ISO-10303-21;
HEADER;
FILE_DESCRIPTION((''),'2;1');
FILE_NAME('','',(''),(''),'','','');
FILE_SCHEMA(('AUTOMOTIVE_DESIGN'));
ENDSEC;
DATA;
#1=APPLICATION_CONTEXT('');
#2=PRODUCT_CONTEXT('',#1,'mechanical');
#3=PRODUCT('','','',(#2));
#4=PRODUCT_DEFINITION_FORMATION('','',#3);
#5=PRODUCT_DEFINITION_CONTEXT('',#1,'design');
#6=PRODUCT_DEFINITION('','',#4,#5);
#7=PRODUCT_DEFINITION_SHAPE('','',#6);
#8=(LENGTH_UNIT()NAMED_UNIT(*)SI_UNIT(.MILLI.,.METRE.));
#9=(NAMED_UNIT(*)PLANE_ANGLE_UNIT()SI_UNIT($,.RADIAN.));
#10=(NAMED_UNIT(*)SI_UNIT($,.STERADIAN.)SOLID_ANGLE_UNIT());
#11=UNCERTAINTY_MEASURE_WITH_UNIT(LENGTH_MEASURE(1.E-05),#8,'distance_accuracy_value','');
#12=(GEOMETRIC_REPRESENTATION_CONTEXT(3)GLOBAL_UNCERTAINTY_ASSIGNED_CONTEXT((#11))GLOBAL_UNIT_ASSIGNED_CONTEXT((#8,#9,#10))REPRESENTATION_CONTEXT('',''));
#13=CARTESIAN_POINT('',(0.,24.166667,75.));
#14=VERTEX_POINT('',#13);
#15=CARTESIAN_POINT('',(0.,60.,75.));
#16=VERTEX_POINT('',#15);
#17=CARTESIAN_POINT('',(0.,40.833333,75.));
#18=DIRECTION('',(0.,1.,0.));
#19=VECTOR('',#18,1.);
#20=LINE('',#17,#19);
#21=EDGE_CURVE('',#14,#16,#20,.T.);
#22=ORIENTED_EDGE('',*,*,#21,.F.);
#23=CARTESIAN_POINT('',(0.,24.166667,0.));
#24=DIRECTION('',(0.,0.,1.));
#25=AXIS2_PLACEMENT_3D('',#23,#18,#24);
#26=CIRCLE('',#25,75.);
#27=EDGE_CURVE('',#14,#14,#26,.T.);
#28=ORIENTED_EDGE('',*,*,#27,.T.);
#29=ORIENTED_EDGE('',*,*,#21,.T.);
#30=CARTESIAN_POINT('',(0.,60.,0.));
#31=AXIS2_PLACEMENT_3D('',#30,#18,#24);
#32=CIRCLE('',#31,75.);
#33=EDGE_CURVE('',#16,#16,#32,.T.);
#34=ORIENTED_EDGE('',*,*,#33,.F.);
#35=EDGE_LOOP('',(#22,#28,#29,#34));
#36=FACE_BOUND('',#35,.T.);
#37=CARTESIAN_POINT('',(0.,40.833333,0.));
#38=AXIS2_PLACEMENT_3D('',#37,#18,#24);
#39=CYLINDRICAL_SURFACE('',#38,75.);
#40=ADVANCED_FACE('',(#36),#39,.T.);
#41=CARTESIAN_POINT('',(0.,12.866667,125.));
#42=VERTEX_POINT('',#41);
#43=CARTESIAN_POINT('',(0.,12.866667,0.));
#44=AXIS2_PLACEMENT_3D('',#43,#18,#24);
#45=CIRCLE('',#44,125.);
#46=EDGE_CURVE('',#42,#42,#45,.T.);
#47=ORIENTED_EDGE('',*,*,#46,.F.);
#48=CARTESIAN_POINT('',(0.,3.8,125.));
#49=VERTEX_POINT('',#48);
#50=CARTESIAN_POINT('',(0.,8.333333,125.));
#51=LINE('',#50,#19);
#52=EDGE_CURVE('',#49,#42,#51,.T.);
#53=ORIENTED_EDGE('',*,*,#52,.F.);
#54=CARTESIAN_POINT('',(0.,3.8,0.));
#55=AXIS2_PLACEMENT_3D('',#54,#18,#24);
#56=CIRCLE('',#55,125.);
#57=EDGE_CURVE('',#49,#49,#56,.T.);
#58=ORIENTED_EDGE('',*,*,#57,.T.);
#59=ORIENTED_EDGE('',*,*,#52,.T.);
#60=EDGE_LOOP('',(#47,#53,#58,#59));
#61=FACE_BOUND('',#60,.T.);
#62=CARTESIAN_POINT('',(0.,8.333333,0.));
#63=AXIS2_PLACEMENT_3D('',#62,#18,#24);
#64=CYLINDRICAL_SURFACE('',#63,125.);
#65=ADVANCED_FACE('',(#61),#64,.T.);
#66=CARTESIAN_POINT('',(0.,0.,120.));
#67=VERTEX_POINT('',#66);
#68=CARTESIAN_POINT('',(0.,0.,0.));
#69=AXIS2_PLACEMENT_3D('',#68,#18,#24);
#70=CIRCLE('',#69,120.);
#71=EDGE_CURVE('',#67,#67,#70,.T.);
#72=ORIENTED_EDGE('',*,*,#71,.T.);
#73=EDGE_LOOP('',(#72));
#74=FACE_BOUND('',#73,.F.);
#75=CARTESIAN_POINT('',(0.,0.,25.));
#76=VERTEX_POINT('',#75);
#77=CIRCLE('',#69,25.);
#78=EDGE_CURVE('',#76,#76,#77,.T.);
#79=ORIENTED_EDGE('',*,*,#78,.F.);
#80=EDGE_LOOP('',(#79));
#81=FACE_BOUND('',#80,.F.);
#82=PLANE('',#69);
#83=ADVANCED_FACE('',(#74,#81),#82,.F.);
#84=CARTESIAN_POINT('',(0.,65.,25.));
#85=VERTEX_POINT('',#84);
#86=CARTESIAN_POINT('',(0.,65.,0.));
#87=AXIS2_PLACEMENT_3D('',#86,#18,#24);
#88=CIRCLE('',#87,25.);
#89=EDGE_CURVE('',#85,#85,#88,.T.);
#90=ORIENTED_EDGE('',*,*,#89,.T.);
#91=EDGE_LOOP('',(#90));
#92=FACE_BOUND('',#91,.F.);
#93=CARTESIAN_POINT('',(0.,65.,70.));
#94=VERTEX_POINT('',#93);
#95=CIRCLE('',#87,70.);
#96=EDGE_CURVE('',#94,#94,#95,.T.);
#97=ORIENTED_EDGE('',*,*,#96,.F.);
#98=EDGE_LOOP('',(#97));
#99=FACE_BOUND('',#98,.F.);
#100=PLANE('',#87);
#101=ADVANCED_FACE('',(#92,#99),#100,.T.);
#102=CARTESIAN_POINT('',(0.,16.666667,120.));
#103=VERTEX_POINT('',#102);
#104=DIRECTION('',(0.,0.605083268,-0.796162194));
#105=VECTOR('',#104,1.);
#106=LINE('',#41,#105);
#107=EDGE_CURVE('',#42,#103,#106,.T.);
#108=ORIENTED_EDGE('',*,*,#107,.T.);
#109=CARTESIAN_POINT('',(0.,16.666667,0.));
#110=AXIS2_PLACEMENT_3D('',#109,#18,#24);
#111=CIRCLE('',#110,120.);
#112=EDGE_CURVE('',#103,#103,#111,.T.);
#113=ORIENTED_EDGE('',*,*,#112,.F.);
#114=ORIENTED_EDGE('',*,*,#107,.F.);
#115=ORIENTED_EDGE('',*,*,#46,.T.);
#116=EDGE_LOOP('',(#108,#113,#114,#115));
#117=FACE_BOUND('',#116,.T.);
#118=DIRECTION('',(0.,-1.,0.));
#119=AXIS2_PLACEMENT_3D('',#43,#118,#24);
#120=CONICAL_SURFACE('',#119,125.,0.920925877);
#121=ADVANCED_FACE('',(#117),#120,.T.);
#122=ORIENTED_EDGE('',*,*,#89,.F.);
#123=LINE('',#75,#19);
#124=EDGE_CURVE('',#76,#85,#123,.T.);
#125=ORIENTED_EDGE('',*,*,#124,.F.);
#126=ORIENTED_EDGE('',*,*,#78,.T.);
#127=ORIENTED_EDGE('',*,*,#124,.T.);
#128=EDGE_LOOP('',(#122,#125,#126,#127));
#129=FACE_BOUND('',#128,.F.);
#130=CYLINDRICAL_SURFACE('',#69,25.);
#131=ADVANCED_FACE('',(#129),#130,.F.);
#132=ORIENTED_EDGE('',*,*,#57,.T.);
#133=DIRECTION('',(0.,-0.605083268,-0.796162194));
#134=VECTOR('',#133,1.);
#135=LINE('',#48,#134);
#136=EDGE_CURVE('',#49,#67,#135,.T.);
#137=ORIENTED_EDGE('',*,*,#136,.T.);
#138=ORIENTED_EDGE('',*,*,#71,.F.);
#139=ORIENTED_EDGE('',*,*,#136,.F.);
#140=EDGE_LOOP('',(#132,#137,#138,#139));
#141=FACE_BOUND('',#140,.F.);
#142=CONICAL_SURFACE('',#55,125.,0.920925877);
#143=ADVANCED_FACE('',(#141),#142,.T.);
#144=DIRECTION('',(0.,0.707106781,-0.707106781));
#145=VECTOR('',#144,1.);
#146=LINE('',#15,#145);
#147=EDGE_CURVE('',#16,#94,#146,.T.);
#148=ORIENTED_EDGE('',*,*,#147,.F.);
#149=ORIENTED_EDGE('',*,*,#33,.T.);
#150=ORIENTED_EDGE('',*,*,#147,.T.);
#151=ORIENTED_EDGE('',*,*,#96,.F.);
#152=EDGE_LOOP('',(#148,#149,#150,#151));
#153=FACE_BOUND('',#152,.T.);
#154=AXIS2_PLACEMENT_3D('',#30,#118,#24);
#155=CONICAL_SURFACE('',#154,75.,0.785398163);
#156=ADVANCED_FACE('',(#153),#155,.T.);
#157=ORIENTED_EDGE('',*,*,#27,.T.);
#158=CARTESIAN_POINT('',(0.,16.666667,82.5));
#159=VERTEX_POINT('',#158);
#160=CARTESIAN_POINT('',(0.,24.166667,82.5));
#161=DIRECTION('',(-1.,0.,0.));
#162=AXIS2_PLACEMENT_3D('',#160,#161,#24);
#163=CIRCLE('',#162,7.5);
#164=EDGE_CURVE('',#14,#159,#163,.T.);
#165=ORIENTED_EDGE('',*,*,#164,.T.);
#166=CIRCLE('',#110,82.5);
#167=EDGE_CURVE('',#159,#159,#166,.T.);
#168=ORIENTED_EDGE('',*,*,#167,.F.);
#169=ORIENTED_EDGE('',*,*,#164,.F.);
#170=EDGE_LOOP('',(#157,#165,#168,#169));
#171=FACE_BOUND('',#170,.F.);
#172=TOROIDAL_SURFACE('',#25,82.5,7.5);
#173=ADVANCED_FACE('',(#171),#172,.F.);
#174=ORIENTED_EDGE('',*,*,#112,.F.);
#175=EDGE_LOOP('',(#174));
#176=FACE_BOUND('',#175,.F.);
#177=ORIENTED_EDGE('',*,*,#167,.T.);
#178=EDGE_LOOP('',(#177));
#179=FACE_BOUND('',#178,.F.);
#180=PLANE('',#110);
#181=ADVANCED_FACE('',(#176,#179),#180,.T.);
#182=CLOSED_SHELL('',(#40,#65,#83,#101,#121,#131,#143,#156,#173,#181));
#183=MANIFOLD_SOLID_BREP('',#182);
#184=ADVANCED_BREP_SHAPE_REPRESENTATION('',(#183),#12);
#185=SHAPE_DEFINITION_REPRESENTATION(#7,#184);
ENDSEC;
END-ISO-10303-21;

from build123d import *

# Parameters (mm, degrees)
F0_W     = 16.6666666667
F0_H     = 50
F0_W_2   = 48.3333333333
F2_R     = 7.5
F3_SIZE  = 5
F4_SIZE2 = 5
F4_SIZE  = 3.8


with BuildPart() as f1:
    # F0 (on Right) → F1 (revolve)
    with BuildSketch(Plane.YZ):
        with Locations((8.3333333333, 100)):
            Rectangle(F0_W, F0_H)
        with Locations((8.3333333333, 50)):
            Rectangle(F0_W, F0_H)
        with Locations((40.8333333333, 50)):
            Rectangle(F0_W_2, F0_H)
    revolve(axis=Axis((0, 32.5, 0), (0, 1, 0)))

    # F2
    f2_edges = [f1.edges().sort_by_distance(p)[0] for p in [
        (0, 16.666667, -75),
    ]]
    fillet(f2_edges, radius=F2_R)

    # F3
    f3_edges = [f1.edges().sort_by_distance(p)[0] for p in [
        (0, 65, -75),
    ]]
    chamfer(f3_edges, length=F3_SIZE)

    # F4
    f4_edges = [f1.edges().sort_by_distance(p)[0] for p in [
        (0, 0, -125),
        (0, 16.666667, -125),
    ]]
    f4_side = f1.faces().sort_by_distance((0, 8.333333, -125))[0]
    chamfer(f4_edges, length=F4_SIZE, length2=F4_SIZE2, reference=f4_side)


solid = f1.part
